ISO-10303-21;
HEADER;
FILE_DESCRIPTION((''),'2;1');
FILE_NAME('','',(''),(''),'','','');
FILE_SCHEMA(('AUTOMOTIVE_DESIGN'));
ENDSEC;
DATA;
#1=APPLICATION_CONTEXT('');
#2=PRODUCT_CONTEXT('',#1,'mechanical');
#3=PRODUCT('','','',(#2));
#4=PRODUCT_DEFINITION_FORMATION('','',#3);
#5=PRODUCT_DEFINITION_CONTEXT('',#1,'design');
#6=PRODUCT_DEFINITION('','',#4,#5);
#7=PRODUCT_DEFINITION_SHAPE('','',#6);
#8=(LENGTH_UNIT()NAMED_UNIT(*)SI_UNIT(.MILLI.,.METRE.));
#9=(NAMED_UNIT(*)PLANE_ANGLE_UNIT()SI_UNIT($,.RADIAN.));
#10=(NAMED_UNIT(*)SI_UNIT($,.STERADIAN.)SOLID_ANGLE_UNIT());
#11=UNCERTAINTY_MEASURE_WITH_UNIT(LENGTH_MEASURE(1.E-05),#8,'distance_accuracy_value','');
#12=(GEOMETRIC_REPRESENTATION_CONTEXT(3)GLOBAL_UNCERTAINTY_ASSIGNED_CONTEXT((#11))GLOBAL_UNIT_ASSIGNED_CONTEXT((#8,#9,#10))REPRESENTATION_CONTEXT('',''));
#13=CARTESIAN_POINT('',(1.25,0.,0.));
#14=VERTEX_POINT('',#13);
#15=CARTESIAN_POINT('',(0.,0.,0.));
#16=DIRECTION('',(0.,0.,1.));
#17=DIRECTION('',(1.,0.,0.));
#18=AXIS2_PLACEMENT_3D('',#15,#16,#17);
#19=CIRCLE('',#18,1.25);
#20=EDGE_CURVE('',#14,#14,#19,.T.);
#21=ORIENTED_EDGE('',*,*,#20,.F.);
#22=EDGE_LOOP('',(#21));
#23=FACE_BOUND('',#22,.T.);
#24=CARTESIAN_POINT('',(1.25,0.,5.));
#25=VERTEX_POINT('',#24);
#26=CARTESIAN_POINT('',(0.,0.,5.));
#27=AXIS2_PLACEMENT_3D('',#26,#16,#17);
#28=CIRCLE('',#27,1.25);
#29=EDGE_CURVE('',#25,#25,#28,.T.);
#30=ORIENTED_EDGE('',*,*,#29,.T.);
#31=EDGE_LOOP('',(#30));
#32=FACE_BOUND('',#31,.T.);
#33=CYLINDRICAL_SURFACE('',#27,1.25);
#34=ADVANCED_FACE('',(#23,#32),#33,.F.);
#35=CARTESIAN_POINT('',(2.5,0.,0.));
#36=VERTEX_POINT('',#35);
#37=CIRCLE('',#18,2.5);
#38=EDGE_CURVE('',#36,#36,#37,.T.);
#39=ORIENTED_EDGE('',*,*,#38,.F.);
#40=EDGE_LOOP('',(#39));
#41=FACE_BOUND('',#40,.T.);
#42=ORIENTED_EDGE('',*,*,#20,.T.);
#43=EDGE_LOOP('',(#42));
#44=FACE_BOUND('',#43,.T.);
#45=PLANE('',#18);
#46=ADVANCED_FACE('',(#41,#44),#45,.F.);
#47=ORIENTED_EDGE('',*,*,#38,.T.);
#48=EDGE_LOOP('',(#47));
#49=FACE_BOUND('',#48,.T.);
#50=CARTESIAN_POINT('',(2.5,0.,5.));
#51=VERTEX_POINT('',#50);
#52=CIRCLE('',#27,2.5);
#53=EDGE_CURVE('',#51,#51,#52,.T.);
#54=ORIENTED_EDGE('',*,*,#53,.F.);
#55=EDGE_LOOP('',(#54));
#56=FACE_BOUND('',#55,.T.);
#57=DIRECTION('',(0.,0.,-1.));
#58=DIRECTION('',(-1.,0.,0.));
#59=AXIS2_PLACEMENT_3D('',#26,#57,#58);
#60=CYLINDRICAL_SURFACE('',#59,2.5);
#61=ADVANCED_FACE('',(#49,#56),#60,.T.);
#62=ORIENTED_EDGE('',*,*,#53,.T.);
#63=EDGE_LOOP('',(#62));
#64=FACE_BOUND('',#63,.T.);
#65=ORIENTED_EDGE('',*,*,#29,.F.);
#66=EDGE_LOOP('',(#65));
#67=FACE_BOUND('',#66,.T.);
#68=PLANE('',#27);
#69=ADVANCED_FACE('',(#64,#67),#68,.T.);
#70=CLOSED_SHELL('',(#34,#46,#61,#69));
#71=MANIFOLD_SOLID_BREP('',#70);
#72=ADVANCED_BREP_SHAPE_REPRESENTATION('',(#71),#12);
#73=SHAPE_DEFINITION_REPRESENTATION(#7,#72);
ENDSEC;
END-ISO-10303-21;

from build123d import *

# Parameters (mm, degrees)
SZKIC1_R                    = 2.5
DODANIE_WYCI_GNI_CIE1_DEPTH = 5
OTW_R_GWINTOWANY_M31_D      = 2.5


with BuildPart() as part:
    # Szkic1 → Dodanie-wyciągnięcie1 (new body)
    with BuildSketch(Plane.XY):
        Circle(SZKIC1_R)
    extrude(amount=DODANIE_WYCI_GNI_CIE1_DEPTH)

    # Otwór gwintowany M31 (through all)
    with Locations(Plane.XY.offset(5)):
        with Locations((0, 0)):
            Hole(OTW_R_GWINTOWANY_M31_D / 2)


solid = part.part
